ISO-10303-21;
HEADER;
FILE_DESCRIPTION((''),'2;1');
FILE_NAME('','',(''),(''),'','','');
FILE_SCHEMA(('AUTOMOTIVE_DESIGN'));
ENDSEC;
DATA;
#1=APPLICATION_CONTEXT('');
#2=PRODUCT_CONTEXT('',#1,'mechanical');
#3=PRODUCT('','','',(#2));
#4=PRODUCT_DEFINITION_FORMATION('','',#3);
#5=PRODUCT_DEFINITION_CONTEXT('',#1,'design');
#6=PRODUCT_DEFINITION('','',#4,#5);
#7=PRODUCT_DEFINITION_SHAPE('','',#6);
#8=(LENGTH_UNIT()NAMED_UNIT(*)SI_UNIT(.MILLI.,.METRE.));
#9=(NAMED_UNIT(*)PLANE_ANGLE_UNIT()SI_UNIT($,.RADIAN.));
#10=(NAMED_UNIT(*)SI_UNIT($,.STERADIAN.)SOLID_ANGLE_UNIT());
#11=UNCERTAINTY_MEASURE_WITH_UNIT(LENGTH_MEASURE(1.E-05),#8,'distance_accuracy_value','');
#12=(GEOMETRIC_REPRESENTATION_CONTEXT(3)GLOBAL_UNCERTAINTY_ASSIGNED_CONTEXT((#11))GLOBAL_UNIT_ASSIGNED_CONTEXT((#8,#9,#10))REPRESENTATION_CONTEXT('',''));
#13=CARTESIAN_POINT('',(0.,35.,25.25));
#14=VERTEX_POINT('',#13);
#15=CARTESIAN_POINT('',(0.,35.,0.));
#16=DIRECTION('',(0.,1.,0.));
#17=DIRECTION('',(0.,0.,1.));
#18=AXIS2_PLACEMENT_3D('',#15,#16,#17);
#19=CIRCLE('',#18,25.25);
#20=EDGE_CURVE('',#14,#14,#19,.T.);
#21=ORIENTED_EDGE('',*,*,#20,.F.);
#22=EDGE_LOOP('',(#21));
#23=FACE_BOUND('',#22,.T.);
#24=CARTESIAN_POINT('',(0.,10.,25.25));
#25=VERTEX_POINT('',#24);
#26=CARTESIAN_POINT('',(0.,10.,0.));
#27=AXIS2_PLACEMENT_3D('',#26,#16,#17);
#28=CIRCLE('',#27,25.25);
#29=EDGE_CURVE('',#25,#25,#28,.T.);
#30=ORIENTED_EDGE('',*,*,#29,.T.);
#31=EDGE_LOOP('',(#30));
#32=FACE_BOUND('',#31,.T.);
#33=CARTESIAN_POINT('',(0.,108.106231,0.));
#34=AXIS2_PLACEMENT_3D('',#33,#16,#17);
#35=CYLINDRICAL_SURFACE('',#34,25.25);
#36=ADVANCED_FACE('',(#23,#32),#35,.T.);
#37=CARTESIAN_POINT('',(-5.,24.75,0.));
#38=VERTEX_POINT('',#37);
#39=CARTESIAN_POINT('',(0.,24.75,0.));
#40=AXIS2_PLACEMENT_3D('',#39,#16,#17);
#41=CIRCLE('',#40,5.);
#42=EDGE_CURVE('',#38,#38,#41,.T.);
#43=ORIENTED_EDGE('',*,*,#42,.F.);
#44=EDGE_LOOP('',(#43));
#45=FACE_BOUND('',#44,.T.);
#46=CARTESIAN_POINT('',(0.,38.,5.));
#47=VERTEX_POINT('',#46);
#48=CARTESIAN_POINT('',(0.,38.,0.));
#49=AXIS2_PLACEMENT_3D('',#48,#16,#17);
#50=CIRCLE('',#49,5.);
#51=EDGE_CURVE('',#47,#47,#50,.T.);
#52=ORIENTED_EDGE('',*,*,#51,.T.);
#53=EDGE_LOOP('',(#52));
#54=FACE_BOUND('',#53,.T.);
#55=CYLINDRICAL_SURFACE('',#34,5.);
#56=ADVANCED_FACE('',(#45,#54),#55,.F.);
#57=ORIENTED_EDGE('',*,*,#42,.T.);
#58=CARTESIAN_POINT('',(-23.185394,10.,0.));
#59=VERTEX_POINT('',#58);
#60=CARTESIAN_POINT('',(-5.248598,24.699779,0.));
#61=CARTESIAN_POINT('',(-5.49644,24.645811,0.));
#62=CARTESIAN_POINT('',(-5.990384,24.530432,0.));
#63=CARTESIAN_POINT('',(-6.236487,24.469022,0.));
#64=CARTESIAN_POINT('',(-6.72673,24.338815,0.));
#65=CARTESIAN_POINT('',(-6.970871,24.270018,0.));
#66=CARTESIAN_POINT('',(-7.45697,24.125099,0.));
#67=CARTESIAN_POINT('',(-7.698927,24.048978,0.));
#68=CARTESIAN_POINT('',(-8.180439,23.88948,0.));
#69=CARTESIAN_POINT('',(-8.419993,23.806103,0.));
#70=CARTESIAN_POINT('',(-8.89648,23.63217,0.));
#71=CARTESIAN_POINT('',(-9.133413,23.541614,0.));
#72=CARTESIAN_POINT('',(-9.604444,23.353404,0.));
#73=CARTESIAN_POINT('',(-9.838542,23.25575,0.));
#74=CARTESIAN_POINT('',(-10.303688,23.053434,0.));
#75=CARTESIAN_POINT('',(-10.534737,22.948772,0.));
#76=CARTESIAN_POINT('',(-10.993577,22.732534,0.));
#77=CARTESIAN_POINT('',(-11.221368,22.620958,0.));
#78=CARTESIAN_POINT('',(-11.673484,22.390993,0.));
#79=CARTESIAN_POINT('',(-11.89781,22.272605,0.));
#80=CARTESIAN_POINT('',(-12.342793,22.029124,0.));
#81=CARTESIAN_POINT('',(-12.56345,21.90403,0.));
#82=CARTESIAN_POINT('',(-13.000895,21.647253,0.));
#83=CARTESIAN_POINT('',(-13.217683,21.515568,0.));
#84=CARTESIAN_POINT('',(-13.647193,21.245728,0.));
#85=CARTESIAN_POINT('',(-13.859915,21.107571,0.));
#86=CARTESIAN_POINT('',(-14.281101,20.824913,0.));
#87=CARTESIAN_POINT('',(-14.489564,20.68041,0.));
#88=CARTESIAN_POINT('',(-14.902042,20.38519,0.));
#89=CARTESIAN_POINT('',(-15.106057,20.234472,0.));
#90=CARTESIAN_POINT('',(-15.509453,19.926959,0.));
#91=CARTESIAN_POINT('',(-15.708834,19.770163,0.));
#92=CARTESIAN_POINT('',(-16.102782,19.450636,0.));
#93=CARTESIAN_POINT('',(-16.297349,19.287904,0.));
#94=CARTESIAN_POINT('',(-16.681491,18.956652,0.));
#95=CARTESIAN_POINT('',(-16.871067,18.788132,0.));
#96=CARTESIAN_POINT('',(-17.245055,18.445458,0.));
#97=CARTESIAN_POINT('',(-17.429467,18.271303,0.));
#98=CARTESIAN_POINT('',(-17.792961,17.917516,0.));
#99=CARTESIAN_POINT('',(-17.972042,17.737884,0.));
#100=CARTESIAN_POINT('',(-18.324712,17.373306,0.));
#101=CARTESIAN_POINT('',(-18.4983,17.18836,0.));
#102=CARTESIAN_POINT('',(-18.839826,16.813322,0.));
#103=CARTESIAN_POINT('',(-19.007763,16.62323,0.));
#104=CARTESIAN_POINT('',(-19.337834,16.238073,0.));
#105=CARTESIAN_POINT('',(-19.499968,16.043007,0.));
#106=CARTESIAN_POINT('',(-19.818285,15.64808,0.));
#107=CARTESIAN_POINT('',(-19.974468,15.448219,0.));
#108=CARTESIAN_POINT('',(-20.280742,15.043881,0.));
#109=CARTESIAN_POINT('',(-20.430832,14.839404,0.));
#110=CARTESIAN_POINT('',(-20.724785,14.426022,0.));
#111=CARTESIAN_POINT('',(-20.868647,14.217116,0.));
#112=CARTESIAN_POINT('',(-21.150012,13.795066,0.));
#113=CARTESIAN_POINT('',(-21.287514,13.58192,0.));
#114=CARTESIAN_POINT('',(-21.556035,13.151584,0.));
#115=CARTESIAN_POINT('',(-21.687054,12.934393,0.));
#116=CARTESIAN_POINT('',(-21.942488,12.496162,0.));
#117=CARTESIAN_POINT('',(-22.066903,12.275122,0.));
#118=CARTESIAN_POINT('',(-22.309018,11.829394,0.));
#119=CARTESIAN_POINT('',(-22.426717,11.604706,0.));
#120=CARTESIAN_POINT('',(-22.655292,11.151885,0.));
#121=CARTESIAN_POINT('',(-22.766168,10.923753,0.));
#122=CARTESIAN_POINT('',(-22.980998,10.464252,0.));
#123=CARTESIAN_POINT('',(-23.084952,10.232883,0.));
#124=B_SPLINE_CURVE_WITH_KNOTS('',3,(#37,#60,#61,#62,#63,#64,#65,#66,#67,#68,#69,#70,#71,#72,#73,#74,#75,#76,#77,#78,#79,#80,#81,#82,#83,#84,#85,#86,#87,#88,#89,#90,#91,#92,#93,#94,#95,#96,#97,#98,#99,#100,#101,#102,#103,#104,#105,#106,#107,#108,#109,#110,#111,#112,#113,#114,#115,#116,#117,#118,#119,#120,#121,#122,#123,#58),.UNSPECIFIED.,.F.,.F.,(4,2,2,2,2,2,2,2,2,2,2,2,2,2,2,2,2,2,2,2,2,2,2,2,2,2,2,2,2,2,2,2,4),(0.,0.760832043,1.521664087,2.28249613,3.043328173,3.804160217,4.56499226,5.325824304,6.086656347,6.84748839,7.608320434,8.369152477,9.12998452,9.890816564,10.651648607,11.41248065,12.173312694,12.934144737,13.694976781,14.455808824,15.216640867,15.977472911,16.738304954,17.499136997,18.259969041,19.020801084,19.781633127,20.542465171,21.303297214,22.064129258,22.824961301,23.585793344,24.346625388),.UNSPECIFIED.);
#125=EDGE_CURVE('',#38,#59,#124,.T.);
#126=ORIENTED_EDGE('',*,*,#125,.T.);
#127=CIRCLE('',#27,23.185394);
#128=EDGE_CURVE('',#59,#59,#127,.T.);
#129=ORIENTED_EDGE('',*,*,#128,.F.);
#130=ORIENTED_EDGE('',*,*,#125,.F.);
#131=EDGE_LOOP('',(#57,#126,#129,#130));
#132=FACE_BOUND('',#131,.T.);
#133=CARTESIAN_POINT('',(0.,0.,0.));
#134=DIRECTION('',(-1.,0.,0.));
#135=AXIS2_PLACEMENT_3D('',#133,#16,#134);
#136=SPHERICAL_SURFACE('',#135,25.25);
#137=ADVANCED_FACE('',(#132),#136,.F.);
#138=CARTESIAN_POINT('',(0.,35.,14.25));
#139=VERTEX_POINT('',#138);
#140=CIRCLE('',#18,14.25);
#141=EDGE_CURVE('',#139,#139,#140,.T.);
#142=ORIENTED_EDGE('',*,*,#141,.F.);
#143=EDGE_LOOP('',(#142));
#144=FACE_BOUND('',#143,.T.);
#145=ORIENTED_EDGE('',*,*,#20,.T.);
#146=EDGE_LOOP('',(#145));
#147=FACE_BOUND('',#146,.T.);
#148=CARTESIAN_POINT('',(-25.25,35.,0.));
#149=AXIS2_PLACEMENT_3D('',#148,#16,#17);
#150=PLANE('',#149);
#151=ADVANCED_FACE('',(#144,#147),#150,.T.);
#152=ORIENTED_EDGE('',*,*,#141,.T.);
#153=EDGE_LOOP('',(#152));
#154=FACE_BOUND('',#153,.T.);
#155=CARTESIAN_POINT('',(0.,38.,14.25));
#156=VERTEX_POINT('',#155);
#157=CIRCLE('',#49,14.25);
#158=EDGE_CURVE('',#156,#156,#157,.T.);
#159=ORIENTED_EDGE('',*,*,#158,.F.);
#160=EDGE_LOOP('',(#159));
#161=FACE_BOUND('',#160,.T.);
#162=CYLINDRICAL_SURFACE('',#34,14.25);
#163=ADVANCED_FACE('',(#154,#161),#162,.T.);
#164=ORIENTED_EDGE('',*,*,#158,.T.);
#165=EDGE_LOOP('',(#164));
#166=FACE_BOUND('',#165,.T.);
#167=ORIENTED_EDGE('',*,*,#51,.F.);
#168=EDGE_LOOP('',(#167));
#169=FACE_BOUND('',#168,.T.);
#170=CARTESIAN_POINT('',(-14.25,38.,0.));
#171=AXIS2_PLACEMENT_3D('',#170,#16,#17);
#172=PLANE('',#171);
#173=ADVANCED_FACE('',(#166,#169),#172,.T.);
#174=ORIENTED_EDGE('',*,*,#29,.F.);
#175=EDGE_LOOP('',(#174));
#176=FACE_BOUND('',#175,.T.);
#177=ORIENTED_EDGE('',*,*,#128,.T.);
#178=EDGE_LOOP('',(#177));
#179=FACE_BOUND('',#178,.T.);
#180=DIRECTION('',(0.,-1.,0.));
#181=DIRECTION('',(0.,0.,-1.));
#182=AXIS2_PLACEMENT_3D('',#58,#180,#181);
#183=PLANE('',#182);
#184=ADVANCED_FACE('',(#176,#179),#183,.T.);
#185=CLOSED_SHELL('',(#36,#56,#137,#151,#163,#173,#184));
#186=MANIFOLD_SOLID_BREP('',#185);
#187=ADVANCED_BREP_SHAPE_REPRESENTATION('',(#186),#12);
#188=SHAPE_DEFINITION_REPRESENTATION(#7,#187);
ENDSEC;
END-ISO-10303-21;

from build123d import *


with BuildPart() as part:
    # Sketch1 → Revolve1 (revolve)
    with BuildSketch(Plane.XY, mode=Mode.PRIVATE) as revolve1_sk:
        with BuildLine():
            Line((-23.185394109, 10), (-25.25, 10))
            Line((-25.25, 10), (-25.25, 35))
            Line((-25.25, 35), (-14.25, 35))
            Line((-14.25, 35), (-14.25, 38))
            Line((-14.25, 38), (-5, 38))
            Line((-5, 38), (-5, 24.75))
            ThreePointArc((-5, 24.75), (-15.905808224, 19.610399403), (-23.185394109, 10))
        make_face()
    revolve(revolve1_sk.sketch.rotate(Axis((0, 108.106230536, 0), (0, -1, 0)), 270), axis=Axis((0, 108.106230536, 0), (0, -1, 0)))


solid = part.part
